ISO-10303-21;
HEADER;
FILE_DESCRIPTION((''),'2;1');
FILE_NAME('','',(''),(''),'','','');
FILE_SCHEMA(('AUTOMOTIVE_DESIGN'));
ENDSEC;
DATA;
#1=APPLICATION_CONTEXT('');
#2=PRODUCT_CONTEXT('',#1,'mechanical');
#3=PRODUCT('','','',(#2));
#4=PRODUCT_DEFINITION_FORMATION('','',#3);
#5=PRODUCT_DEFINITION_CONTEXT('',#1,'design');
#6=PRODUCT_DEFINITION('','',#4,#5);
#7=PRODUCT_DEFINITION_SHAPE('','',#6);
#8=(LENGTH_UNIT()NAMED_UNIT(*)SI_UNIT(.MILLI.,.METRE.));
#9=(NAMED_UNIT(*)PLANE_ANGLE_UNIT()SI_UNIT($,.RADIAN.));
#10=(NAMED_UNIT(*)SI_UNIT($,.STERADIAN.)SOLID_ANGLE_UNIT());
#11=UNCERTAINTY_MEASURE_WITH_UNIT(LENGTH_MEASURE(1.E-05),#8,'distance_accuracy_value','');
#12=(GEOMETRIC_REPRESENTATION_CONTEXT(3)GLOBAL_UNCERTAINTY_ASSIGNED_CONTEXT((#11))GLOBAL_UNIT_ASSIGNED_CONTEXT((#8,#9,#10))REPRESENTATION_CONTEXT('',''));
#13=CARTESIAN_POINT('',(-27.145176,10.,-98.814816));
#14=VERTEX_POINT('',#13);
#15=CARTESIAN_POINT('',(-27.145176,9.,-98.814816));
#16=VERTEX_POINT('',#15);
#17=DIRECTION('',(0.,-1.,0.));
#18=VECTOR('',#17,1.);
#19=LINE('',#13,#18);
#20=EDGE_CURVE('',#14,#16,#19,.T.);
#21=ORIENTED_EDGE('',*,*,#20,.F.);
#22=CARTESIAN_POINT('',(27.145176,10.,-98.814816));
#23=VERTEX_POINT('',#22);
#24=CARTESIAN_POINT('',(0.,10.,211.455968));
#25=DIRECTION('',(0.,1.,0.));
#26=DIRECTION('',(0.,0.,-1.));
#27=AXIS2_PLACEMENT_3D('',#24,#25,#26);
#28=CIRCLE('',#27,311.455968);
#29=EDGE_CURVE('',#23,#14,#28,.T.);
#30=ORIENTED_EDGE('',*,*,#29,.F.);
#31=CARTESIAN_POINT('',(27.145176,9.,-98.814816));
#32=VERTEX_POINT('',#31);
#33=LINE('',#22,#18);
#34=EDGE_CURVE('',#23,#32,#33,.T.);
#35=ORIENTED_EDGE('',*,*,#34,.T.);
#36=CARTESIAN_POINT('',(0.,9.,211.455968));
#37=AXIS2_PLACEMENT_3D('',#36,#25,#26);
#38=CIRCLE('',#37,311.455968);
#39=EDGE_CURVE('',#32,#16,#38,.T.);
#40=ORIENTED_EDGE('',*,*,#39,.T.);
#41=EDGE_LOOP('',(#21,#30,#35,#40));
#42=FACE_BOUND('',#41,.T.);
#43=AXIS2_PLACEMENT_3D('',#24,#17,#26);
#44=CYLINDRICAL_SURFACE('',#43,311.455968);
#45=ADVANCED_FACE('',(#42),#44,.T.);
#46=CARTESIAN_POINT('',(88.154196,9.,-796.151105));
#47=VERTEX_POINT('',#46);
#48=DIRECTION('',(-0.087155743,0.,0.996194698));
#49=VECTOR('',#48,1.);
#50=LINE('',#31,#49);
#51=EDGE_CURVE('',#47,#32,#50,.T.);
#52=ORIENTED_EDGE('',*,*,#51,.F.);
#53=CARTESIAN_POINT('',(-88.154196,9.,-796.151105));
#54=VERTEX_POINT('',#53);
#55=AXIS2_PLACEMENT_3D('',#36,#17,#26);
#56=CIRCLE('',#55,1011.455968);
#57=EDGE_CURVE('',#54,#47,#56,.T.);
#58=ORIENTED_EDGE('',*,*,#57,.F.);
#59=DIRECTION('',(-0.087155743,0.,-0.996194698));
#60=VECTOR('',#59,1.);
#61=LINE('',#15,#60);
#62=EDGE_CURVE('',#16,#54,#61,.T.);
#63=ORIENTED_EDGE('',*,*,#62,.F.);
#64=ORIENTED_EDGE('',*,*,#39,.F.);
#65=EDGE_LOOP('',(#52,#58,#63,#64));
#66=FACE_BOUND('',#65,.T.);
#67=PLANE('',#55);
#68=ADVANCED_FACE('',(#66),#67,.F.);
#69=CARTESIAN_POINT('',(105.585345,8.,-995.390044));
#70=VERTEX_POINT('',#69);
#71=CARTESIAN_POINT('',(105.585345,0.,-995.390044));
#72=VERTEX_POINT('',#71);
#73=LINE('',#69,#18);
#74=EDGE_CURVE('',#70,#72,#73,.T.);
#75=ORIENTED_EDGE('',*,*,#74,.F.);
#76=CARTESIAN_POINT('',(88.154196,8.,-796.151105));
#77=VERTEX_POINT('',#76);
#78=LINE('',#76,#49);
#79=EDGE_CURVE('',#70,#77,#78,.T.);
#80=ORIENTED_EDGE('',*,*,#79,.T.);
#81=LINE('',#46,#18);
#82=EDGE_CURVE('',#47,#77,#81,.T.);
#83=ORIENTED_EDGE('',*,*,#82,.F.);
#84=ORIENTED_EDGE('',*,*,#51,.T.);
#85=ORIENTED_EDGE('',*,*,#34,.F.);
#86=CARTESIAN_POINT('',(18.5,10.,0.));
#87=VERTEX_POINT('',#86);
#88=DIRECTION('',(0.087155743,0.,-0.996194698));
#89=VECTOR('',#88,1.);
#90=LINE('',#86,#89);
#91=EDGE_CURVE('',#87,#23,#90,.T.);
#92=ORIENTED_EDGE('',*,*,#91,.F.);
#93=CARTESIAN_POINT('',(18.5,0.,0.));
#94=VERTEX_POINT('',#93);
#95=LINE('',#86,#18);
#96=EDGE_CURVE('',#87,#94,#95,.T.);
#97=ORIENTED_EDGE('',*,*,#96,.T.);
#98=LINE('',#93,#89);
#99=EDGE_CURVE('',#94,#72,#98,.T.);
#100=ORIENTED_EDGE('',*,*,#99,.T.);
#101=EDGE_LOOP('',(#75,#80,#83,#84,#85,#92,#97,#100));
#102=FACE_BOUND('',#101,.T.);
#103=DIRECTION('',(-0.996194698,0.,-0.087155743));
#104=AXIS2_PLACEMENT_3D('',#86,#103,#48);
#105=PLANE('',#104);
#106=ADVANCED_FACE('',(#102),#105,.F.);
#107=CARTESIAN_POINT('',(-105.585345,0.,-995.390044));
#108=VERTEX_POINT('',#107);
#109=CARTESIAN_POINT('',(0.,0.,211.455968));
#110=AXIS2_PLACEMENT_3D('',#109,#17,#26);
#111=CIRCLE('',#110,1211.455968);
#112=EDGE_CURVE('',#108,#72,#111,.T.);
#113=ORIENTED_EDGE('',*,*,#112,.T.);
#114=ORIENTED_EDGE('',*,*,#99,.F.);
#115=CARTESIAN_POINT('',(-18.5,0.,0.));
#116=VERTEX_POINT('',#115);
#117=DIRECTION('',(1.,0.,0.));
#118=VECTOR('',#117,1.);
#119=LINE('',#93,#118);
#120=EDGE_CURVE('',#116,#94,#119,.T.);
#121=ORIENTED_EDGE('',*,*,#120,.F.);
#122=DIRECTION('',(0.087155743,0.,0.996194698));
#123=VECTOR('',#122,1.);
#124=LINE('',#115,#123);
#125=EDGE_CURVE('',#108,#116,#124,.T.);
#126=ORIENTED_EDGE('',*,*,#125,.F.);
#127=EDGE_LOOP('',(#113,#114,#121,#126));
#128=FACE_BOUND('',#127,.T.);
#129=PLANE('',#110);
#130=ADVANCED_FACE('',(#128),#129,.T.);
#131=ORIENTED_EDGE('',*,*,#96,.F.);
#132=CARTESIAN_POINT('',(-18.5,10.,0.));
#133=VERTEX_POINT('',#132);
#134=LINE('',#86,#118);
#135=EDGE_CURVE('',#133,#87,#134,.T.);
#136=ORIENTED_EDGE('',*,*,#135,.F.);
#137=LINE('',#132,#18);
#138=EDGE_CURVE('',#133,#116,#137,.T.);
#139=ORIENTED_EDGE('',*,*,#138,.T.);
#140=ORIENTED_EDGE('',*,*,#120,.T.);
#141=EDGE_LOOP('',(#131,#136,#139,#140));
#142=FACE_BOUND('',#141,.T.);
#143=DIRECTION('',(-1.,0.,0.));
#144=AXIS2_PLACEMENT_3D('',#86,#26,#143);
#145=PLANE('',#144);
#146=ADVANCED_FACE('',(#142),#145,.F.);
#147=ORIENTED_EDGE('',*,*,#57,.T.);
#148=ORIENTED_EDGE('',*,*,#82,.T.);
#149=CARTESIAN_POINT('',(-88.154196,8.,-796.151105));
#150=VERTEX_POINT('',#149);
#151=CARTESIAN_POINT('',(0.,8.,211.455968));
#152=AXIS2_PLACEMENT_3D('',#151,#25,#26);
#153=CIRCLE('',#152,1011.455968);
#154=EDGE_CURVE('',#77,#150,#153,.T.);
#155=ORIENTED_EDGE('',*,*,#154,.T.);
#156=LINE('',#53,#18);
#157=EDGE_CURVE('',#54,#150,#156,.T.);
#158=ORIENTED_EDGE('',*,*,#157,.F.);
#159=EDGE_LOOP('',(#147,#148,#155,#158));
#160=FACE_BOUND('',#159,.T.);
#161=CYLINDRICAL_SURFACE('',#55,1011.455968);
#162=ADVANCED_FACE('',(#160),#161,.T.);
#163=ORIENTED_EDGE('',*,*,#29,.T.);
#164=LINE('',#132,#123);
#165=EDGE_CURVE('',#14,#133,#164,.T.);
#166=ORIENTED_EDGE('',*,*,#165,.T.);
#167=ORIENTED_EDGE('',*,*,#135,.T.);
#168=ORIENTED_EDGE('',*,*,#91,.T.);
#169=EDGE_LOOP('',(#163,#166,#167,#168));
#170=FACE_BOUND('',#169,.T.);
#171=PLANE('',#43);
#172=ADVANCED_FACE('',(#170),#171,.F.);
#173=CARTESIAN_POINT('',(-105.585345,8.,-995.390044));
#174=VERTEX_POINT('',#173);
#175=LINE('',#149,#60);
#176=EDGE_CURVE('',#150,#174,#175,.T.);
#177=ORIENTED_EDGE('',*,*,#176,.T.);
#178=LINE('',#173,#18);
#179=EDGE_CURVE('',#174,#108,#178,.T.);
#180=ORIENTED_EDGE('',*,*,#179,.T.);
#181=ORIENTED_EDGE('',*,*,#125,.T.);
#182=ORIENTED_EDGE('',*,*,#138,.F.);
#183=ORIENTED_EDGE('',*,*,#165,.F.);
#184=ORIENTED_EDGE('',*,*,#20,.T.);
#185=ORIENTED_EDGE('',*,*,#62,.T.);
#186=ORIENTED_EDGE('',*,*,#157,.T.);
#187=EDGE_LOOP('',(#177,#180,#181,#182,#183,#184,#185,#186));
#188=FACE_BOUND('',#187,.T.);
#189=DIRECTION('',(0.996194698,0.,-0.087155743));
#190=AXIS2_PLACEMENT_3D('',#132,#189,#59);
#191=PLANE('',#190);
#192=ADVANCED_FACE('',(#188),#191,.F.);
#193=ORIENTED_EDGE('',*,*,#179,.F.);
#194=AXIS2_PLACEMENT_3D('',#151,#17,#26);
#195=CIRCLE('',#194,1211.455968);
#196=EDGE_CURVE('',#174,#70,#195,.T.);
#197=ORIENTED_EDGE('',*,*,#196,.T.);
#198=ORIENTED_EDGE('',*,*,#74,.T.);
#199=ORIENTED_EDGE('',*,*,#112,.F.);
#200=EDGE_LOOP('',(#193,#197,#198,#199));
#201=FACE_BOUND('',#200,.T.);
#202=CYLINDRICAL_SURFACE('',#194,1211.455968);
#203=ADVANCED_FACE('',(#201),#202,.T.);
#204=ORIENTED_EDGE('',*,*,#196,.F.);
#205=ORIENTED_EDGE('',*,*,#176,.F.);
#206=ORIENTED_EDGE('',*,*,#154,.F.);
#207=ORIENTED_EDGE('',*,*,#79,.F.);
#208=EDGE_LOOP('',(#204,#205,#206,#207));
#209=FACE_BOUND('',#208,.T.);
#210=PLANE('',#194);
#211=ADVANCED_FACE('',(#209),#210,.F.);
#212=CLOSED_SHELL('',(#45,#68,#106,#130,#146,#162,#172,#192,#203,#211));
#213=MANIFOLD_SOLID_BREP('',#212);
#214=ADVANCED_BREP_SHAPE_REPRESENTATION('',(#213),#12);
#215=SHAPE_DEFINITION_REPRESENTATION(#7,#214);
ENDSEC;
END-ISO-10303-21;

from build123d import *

# Parameters (mm, degrees)
EXTRUSION1_DEPTH = 10
EXTRUSION2_DEPTH = 9
EXTRUSION3_DEPTH = 8


with BuildPart() as part:
    # Esquisse1 → Extrusion1 (new body)
    with BuildSketch(Plane(origin=(0, 0, 0), x_dir=(1, 0, 0), z_dir=(0, 1, 0))):
        with BuildLine():
            Line((18.5, 0), (-18.5, 0))
            Line((-18.5, 0), (-27.145176189, 98.814816012))
            ThreePointArc((-27.145176189, 98.814816012), (0, 100), (27.145176189, 98.814816012))
            Line((27.145176189, 98.814816012), (18.5, 0))
        make_face()
    extrude(amount=EXTRUSION1_DEPTH)

    # Esquisse2 → Extrusion2 (add)
    with BuildSketch(Plane.XZ):
        with BuildLine():
            Line((-27.145176189, -98.814816012), (-88.154196113, -796.151104676))
            ThreePointArc((-88.154196113, -796.151104676), (0, -800), (88.154196113, -796.151104676))
            Line((88.154196113, -796.151104676), (27.145176189, -98.814816012))
            ThreePointArc((27.145176189, -98.814816012), (0, -100), (-27.145176189, -98.814816012))
        make_face()
    extrude(amount=-EXTRUSION2_DEPTH)

    # Esquisse5 → Extrusion3 (add)
    with BuildSketch(Plane.XZ):
        with BuildLine():
            Line((-88.154196113, -796.151104676), (-105.585344662, -995.390044295))
            ThreePointArc((-105.585344662, -995.390044295), (0, -1000), (105.585344662, -995.390044295))
            Line((105.585344662, -995.390044295), (88.154196113, -796.151104676))
            ThreePointArc((88.154196113, -796.151104676), (0, -800), (-88.154196113, -796.151104676))
        make_face()
    extrude(amount=-EXTRUSION3_DEPTH)


solid = part.part
